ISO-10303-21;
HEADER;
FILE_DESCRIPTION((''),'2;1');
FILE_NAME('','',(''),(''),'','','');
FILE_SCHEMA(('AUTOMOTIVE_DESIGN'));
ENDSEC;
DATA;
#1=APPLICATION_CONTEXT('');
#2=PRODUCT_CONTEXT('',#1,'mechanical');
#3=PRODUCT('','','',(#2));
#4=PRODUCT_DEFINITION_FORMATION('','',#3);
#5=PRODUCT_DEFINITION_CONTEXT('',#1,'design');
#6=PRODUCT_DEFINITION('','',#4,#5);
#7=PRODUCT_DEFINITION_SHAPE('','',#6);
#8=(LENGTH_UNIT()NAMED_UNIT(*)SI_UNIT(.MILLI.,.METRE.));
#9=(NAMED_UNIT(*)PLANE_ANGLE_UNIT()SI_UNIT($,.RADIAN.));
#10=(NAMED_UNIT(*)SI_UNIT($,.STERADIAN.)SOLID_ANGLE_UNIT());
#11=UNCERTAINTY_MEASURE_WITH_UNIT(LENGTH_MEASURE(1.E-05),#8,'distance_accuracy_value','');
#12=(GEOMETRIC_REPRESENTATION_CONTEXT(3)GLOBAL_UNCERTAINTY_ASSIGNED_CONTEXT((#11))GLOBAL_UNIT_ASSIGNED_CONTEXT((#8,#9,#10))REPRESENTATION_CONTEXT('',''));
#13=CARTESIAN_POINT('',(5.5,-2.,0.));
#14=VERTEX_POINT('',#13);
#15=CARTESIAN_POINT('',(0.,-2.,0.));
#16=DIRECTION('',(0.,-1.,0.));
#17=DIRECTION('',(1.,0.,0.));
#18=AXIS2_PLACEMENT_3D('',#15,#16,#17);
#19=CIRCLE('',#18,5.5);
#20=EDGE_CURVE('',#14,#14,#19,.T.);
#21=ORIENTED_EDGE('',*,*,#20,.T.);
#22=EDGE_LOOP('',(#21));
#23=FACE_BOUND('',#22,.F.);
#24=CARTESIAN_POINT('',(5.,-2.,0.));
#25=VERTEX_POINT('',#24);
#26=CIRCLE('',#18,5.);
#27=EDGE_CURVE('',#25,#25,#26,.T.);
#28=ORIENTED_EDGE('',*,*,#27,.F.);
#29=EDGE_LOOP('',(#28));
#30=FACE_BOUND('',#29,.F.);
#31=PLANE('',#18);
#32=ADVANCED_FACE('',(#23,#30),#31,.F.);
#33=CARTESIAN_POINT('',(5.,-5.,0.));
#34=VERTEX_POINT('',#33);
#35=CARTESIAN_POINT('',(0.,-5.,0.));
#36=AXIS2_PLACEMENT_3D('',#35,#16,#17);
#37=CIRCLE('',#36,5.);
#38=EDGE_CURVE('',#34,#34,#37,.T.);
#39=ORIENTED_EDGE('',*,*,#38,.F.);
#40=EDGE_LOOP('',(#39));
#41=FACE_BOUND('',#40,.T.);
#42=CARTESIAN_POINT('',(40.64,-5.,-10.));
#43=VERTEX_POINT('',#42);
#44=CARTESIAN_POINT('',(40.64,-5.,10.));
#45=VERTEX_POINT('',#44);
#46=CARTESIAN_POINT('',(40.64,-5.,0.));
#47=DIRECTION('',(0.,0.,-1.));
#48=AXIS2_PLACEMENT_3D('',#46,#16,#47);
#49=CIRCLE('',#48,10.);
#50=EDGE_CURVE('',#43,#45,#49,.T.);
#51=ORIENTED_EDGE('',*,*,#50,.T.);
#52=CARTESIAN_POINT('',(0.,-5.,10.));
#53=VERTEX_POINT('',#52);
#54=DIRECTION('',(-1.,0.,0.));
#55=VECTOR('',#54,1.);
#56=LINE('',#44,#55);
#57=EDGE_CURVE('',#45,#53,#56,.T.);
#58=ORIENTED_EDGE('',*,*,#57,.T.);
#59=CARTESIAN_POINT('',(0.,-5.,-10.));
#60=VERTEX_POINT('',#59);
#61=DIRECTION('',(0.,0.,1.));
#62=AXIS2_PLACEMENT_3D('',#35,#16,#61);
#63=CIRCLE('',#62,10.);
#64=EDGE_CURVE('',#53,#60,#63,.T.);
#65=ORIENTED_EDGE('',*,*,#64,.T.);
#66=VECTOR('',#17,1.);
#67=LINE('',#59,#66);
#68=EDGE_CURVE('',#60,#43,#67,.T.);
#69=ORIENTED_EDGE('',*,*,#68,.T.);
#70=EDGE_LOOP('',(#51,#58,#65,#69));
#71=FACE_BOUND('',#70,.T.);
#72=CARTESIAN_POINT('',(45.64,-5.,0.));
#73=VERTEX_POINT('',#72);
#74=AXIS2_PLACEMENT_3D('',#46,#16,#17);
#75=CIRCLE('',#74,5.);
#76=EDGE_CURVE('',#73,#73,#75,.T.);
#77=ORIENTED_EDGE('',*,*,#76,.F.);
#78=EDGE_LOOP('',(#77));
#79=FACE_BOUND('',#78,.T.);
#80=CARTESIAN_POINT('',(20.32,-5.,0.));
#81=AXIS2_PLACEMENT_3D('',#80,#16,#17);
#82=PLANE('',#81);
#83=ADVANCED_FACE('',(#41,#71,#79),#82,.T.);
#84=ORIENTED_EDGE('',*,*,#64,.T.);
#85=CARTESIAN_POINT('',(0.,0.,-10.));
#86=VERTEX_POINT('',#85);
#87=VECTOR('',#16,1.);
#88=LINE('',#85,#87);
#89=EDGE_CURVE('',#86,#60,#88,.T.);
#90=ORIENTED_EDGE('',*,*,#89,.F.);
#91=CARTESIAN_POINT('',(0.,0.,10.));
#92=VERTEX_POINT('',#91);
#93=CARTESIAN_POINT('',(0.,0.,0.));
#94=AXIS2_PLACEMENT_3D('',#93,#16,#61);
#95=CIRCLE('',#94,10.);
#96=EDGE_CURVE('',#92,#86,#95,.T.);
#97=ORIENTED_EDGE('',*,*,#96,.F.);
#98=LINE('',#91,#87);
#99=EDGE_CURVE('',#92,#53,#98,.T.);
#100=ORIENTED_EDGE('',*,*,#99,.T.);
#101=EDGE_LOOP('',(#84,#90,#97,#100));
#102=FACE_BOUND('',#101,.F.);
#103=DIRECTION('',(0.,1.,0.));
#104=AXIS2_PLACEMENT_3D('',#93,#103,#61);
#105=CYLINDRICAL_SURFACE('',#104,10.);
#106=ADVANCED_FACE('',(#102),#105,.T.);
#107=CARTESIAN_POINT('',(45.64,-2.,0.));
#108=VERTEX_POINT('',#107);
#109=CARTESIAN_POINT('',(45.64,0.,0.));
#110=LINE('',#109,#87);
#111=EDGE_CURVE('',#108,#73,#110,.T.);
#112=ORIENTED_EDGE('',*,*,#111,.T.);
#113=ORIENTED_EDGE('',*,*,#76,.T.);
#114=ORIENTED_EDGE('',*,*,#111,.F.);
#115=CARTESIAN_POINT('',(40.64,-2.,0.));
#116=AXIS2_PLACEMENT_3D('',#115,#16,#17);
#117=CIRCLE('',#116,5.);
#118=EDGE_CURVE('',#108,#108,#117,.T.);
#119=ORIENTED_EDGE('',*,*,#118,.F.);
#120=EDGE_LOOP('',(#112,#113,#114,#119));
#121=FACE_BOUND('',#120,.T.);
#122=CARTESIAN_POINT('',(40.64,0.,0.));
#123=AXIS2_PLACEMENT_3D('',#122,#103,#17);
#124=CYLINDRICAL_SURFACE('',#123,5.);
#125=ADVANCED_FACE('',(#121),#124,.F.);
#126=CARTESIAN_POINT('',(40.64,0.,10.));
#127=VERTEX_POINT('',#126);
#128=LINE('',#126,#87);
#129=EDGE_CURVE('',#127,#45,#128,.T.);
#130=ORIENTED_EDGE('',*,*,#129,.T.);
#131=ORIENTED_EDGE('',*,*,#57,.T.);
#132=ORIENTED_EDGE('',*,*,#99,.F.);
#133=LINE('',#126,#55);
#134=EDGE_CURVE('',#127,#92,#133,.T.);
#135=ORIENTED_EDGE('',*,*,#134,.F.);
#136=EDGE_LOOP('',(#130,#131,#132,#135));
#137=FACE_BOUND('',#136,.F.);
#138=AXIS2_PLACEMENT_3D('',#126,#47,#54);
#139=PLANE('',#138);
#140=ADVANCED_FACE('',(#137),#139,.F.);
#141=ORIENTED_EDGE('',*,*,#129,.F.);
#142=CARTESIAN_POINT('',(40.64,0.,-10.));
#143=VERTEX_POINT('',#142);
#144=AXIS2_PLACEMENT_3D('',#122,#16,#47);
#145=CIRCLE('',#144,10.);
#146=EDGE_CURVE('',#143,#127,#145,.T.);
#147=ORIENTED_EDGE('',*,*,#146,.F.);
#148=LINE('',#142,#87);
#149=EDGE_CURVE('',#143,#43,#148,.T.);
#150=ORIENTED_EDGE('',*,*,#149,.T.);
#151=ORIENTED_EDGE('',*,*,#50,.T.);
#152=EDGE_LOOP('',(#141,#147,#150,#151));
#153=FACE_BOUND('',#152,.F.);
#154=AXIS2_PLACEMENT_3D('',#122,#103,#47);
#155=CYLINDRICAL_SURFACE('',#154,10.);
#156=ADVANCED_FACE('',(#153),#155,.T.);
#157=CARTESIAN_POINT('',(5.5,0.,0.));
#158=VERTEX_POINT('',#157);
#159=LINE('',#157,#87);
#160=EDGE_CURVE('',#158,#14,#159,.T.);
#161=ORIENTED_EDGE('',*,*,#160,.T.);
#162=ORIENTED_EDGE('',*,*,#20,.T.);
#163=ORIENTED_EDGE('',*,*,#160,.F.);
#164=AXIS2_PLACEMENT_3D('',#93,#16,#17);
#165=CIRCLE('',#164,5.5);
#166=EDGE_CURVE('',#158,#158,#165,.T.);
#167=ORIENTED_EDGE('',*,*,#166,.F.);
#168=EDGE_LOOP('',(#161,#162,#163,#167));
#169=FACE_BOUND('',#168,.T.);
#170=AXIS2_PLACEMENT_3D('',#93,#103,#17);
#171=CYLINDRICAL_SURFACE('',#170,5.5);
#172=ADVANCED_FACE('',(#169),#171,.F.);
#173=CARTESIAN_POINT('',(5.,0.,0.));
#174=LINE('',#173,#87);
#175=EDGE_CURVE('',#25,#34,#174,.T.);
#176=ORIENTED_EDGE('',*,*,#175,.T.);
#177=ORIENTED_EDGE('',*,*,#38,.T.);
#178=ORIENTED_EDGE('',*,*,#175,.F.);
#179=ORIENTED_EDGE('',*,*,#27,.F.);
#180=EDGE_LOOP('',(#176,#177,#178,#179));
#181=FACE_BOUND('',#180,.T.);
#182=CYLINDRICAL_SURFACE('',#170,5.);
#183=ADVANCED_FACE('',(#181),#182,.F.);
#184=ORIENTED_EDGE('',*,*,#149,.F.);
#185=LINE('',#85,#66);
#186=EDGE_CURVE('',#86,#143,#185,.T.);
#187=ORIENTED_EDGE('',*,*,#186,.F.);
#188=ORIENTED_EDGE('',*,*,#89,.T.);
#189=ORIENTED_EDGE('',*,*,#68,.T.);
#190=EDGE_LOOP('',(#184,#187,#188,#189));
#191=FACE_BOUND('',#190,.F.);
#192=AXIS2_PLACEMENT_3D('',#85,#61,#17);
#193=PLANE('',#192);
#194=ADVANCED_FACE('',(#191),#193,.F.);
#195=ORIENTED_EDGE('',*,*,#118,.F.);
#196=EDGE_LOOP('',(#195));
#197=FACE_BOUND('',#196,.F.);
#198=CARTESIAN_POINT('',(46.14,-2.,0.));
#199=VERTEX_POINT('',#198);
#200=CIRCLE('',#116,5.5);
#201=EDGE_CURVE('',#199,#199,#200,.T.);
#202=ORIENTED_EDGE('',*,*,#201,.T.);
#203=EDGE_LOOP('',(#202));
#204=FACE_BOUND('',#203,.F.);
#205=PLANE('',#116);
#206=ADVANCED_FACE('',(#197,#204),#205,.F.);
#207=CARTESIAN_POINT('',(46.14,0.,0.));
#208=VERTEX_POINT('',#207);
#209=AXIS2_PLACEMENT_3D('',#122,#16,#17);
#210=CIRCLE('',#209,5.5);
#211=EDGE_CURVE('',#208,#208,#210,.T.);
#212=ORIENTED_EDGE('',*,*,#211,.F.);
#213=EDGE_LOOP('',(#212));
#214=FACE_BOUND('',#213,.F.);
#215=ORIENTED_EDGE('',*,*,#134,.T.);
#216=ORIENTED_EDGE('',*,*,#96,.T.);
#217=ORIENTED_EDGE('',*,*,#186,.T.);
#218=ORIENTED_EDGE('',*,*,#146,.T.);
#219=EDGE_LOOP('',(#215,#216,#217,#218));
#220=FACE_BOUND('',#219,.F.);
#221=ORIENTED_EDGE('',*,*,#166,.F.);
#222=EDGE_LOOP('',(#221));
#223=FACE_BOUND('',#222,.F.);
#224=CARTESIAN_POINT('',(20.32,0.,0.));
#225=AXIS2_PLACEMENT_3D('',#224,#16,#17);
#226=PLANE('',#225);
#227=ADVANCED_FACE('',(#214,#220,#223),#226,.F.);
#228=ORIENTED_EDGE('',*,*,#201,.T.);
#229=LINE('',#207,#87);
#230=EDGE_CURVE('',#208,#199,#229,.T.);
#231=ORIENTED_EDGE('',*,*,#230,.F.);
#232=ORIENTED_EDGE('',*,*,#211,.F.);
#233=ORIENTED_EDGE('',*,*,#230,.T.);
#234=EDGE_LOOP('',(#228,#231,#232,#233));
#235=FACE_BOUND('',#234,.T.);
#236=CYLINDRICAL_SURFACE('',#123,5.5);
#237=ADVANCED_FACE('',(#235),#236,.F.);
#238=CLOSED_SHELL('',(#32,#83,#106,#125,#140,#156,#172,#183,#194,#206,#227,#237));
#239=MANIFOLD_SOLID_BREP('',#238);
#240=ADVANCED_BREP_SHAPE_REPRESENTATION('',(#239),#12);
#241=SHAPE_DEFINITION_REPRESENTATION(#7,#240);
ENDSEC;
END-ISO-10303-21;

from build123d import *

# Parameters (mm, degrees)
F0_R     = 5.5
F0_R_2   = 5
F1_DEPTH = 5
F2_DEPTH = 2


with BuildPart() as f1:
    # F0 (on Front) → F1 (new body)
    with BuildSketch(Plane.XZ):
        with BuildLine():
            Line((40.64, 10), (0, 10))
            ThreePointArc((0, 10), (-10, 0), (0, -10))
            Line((0, -10), (40.64, -10))
            ThreePointArc((40.64, -10), (50.64, 0), (40.64, 10))
        make_face()
        Circle(F0_R, mode=Mode.SUBTRACT)
        with Locations((40.64, 0)):
            Circle(F0_R, mode=Mode.SUBTRACT)
        Circle(F0_R)
        Circle(F0_R_2, mode=Mode.SUBTRACT)
        with Locations((40.64, 0)):
            Circle(F0_R)
        with Locations((40.64, 0)):
            Circle(F0_R_2, mode=Mode.SUBTRACT)
    extrude(amount=F1_DEPTH)

    # F0 (on Front) → F2 (cut)
    with BuildSketch(Plane.XZ):
        with Locations((40.64, 0)):
            Circle(F0_R)
        with Locations((40.64, 0)):
            Circle(F0_R_2, mode=Mode.SUBTRACT)
        Circle(F0_R)
        Circle(F0_R_2, mode=Mode.SUBTRACT)
    extrude(amount=F2_DEPTH, mode=Mode.SUBTRACT)


solid = f1.part
